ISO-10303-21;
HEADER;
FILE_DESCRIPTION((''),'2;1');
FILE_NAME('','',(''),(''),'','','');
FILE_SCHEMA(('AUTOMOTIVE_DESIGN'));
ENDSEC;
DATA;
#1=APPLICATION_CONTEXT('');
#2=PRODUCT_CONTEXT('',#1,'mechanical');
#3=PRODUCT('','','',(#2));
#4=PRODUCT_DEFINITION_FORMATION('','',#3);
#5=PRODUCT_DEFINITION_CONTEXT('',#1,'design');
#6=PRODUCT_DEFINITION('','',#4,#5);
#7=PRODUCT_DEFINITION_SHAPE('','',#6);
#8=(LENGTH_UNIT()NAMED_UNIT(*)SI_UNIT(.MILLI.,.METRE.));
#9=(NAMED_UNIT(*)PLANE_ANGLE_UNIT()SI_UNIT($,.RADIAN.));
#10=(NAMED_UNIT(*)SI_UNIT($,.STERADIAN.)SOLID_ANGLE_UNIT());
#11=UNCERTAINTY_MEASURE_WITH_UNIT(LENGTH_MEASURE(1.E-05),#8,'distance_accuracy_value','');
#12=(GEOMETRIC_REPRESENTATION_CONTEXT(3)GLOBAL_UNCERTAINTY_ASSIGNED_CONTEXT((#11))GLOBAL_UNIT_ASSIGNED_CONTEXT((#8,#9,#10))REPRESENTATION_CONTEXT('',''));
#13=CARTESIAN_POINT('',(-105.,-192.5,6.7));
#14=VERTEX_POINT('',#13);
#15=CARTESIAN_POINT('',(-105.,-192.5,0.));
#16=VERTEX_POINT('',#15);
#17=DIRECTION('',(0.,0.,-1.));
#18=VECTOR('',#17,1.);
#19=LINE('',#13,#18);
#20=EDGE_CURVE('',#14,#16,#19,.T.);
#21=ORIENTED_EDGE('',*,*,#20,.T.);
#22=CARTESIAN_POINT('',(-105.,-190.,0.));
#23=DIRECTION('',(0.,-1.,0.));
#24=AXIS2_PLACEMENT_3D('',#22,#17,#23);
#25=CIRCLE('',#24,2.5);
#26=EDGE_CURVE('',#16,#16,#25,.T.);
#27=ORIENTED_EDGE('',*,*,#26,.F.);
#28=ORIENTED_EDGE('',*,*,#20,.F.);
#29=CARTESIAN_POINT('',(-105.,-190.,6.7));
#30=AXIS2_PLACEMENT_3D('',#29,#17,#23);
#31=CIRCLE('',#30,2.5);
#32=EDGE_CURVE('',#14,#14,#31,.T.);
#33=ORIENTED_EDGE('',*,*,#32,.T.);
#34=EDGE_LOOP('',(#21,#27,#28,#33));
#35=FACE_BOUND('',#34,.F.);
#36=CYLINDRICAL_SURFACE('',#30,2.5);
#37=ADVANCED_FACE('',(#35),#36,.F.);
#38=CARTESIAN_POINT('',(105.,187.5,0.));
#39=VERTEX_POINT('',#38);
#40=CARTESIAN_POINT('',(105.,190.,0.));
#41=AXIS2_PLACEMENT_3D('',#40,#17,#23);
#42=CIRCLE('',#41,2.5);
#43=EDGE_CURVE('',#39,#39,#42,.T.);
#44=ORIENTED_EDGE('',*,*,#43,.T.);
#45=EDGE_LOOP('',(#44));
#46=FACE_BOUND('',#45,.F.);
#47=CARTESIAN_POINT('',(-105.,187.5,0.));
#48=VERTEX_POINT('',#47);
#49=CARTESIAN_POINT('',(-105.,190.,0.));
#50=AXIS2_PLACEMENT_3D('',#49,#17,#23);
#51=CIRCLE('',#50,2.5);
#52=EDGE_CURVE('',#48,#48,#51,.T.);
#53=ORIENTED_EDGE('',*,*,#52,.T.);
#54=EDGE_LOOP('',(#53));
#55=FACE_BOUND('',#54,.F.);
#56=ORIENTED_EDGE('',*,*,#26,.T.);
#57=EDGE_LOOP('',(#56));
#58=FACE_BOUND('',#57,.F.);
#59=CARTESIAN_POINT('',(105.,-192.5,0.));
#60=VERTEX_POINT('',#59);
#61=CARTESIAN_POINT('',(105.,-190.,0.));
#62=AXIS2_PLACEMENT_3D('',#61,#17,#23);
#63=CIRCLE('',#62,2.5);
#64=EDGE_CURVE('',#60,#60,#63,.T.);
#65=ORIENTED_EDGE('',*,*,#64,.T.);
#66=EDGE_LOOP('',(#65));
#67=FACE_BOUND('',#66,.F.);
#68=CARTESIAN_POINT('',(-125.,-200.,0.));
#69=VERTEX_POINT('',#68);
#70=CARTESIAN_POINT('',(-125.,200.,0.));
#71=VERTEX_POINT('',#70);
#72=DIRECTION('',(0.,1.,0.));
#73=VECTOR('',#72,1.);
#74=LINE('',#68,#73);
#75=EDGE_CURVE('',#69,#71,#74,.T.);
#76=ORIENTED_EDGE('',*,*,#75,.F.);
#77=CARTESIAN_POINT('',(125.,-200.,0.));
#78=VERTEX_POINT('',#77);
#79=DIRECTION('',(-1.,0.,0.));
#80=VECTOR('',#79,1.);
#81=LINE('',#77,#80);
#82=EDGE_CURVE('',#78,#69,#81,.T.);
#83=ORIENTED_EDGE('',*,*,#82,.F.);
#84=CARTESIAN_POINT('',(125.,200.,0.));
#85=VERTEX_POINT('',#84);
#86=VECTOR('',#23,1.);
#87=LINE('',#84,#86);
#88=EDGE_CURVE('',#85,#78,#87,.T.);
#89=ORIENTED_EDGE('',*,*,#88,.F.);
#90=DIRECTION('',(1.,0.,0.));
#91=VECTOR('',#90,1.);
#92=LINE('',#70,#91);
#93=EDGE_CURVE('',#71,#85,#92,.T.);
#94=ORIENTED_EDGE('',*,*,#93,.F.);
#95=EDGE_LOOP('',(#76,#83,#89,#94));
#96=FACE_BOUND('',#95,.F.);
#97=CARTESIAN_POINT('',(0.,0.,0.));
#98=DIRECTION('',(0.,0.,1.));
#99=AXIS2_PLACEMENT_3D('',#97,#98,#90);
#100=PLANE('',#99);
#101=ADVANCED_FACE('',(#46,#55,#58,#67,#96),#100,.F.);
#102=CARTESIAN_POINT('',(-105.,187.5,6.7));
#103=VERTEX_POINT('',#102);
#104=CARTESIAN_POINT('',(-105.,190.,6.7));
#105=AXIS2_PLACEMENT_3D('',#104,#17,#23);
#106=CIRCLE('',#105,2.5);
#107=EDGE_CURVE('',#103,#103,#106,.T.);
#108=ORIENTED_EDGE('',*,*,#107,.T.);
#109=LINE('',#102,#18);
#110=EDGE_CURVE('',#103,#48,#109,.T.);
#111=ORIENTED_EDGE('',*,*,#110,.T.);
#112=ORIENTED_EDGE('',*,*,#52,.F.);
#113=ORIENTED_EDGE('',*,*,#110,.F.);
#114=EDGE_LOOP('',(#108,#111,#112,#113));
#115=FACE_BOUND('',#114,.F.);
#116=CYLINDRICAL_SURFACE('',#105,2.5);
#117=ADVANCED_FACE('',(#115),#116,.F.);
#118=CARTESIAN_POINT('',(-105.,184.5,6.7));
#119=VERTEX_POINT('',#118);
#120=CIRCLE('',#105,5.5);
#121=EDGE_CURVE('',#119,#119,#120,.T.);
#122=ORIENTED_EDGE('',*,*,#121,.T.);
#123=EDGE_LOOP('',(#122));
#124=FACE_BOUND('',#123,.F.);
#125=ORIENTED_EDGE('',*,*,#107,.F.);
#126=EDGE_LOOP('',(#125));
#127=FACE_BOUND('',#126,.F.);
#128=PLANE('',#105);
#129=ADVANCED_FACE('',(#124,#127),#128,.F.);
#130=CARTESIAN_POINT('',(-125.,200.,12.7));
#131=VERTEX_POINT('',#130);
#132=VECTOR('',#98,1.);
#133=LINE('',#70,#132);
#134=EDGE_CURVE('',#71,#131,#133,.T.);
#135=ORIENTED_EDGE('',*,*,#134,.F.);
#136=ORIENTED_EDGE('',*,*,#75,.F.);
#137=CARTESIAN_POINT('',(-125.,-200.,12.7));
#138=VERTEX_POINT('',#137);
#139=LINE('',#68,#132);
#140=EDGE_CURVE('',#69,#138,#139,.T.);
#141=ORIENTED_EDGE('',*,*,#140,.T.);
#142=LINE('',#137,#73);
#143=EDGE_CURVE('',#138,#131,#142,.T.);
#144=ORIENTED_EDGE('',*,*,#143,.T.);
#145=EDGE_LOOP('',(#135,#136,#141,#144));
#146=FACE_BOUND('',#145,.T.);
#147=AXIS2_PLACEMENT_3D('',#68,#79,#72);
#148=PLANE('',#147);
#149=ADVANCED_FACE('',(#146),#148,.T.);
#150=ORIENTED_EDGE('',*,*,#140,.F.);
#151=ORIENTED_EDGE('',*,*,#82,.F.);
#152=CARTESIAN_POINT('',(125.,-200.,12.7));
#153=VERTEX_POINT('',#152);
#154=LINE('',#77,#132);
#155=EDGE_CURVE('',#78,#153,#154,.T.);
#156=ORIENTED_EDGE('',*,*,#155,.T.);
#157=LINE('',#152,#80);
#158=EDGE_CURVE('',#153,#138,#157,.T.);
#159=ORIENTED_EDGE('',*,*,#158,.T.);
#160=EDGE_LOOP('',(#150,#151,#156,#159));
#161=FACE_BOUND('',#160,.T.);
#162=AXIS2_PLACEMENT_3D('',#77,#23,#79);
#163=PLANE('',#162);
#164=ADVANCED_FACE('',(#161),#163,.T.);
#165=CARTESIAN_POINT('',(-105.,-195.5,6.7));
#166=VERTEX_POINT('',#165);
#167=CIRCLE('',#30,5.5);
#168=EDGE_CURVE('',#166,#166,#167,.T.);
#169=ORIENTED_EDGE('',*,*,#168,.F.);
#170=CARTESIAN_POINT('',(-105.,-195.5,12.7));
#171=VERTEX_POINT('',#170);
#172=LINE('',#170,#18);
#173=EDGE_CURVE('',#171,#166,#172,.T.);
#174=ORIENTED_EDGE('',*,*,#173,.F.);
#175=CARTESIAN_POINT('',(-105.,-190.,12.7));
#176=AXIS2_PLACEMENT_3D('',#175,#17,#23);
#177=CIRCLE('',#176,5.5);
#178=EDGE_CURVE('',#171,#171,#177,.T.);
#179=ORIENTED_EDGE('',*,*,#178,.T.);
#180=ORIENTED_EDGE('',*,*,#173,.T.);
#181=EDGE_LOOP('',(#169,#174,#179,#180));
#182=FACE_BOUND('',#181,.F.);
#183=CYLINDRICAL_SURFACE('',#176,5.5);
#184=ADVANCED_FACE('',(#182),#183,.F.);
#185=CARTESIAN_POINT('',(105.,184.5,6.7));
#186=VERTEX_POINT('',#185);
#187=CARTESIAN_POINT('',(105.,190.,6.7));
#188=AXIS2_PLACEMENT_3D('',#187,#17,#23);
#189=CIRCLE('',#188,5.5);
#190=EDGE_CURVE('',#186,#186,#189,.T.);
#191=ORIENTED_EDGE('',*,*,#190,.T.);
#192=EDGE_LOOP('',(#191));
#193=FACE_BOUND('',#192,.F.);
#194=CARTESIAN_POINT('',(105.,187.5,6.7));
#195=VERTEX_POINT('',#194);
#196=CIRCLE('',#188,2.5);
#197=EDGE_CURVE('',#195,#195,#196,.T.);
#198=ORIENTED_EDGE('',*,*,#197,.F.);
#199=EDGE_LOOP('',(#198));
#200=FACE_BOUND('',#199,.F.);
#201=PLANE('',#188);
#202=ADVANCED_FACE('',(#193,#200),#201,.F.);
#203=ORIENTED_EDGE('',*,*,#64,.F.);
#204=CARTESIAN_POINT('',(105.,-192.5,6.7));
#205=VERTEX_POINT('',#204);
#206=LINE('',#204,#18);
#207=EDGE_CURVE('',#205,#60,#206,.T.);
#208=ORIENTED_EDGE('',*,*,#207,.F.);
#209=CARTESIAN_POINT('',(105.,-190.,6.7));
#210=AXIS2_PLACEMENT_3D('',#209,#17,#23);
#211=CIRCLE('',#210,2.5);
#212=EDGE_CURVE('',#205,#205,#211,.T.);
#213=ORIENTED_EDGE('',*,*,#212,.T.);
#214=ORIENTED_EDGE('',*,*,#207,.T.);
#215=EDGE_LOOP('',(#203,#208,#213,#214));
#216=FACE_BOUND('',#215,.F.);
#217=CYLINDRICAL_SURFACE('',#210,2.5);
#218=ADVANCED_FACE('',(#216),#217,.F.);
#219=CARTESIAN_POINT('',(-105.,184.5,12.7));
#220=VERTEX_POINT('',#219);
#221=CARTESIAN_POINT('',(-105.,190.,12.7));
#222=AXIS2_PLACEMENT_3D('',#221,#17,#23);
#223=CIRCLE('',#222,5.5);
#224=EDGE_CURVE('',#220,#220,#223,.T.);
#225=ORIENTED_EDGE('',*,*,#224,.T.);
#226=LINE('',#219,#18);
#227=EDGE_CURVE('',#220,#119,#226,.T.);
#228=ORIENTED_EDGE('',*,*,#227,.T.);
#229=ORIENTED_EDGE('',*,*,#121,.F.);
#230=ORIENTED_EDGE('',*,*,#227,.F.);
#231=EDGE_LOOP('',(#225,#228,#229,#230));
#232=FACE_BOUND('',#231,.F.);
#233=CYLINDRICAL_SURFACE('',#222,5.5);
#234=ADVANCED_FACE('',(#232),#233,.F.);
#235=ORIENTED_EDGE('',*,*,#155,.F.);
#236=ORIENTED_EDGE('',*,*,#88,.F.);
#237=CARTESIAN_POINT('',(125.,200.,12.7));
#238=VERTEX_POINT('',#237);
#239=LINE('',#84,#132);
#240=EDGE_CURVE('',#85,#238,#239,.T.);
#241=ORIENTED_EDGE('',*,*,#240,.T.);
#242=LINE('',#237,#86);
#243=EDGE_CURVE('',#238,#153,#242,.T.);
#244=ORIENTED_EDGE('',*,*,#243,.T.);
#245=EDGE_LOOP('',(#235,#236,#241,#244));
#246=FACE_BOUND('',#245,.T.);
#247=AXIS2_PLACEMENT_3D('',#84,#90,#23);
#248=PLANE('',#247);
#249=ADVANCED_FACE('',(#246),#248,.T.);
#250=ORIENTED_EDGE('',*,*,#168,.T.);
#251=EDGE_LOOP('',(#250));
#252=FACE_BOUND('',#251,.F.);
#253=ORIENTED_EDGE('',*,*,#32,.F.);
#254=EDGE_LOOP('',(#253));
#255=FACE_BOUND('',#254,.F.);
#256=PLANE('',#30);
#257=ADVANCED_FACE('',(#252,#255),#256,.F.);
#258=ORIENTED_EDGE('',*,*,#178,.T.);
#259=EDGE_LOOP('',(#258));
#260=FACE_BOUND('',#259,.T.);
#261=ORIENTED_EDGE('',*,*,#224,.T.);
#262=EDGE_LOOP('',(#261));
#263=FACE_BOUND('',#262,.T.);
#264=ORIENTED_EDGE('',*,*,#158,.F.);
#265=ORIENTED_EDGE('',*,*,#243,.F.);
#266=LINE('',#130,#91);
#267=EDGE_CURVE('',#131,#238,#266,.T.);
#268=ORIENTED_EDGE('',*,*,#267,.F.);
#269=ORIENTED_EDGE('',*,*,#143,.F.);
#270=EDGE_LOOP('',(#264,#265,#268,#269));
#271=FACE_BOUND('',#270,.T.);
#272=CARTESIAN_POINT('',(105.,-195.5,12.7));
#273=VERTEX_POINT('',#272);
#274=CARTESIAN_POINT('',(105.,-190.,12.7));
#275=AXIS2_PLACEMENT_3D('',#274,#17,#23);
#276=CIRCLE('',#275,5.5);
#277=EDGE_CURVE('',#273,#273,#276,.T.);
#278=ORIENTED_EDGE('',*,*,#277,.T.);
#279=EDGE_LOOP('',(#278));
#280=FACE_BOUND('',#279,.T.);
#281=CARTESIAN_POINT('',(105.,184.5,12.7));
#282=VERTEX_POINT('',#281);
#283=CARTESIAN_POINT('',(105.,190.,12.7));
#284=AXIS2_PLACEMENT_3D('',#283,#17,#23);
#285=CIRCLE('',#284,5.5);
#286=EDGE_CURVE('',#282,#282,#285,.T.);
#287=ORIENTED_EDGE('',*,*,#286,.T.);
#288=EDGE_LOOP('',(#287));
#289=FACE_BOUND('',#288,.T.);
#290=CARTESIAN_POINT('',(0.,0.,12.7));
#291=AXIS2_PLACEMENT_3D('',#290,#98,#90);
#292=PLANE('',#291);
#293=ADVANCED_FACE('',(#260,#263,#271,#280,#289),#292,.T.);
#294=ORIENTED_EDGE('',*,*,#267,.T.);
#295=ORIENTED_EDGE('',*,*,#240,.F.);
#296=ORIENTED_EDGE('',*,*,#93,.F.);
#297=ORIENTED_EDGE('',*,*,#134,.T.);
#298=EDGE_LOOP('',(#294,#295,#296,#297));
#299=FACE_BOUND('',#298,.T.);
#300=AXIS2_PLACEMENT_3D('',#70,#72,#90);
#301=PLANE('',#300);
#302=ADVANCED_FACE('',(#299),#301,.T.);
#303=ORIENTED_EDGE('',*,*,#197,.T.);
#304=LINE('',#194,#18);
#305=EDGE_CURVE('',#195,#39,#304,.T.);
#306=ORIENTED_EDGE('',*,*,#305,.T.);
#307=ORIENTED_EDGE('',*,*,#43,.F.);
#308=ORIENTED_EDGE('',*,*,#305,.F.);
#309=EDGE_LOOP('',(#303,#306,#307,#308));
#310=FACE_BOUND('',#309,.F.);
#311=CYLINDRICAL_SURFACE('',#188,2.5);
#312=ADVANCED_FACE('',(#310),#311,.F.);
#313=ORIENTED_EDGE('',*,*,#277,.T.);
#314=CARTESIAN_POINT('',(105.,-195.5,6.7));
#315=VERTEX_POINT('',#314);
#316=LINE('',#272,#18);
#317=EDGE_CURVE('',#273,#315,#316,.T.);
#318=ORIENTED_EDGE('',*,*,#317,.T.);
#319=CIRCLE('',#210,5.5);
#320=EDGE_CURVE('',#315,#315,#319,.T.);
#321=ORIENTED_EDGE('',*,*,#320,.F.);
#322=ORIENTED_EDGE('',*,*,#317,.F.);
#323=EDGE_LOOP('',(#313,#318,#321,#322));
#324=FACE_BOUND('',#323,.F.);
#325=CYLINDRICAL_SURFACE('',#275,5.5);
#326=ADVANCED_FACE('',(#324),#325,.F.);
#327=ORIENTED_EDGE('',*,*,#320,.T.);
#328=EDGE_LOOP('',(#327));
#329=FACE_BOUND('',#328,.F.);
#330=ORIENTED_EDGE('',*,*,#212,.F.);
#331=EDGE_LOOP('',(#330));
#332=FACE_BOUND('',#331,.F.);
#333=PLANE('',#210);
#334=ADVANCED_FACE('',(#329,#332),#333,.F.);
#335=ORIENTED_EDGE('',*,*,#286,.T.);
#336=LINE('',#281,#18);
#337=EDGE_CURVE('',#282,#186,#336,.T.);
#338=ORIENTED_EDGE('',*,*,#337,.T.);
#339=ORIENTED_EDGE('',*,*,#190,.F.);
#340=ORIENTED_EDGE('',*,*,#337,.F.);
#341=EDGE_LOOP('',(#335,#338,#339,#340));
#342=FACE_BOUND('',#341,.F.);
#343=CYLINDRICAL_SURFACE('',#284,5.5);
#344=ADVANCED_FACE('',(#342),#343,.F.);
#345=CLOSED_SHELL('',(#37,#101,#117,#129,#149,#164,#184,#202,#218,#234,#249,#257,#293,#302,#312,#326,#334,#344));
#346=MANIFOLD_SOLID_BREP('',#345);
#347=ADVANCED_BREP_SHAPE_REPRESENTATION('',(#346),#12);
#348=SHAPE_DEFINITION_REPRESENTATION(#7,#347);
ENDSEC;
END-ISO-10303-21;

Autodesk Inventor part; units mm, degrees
ref_plane "YZ Plane" through (0, 0, 0) normal (1, 0, 0) x (0, 1, 0)
ref_plane "XZ Plane" through (0, 0, 0) normal (0, 1, 0) x (-1, 0, 0)
ref_plane "XY Plane" through (0, 0, 0) normal (0, 0, 1) x (1, 0, 0)
sketch "Sketch1" plane through (0, 0, 0) normal (0, 0, 1) x (1, 0, 0)
  line L0 (-125, 200) -> (125, 200)
  line L1 (125, 200) -> (125, -200)
  line L2 (125, -200) -> (-125, -200)
  line L3 (-125, -200) -> (-125, 200)
  point P0 (0, 0)
  dimension "d0" = 250
  dimension "d1" = 400
  dimension "d2" = 125
  dimension "d3" = 200
extrude "Extrusion1" add sketch "Sketch1" along normal blind 12.7
sketch "Sketch2" plane through (0, 0, 12.7) normal (0, 0, 1) x (1, 0, 0)
  line L0 (-125, -200) -> (125, -200) projected
  line L1 (125, -200) -> (125, 200) projected
  circle A0 centre (105, -190) radius 2.75
  point P0 (0, 0)
  dimension "d6" = 5.5
  dimension "d7" = 10
  dimension "d8" = 20
hole "Hole1" at (105, -190, 12.7) direction (0, 0, -1) diameter 5 end through all counterbore diameter 11 counterbore depth 6
pattern_linear "Rectangular Pattern1" count 2 spacing 210 along (-1, 0, 0) count 2 spacing 380 along (0, 1, 0) of "Hole1"
equation "\"d2\" = 0.5 * d0"
equation "\"d3\" = 0.5 * d1"
properties part number "two_part_wastebaord" material "Wood (Walnut)"
